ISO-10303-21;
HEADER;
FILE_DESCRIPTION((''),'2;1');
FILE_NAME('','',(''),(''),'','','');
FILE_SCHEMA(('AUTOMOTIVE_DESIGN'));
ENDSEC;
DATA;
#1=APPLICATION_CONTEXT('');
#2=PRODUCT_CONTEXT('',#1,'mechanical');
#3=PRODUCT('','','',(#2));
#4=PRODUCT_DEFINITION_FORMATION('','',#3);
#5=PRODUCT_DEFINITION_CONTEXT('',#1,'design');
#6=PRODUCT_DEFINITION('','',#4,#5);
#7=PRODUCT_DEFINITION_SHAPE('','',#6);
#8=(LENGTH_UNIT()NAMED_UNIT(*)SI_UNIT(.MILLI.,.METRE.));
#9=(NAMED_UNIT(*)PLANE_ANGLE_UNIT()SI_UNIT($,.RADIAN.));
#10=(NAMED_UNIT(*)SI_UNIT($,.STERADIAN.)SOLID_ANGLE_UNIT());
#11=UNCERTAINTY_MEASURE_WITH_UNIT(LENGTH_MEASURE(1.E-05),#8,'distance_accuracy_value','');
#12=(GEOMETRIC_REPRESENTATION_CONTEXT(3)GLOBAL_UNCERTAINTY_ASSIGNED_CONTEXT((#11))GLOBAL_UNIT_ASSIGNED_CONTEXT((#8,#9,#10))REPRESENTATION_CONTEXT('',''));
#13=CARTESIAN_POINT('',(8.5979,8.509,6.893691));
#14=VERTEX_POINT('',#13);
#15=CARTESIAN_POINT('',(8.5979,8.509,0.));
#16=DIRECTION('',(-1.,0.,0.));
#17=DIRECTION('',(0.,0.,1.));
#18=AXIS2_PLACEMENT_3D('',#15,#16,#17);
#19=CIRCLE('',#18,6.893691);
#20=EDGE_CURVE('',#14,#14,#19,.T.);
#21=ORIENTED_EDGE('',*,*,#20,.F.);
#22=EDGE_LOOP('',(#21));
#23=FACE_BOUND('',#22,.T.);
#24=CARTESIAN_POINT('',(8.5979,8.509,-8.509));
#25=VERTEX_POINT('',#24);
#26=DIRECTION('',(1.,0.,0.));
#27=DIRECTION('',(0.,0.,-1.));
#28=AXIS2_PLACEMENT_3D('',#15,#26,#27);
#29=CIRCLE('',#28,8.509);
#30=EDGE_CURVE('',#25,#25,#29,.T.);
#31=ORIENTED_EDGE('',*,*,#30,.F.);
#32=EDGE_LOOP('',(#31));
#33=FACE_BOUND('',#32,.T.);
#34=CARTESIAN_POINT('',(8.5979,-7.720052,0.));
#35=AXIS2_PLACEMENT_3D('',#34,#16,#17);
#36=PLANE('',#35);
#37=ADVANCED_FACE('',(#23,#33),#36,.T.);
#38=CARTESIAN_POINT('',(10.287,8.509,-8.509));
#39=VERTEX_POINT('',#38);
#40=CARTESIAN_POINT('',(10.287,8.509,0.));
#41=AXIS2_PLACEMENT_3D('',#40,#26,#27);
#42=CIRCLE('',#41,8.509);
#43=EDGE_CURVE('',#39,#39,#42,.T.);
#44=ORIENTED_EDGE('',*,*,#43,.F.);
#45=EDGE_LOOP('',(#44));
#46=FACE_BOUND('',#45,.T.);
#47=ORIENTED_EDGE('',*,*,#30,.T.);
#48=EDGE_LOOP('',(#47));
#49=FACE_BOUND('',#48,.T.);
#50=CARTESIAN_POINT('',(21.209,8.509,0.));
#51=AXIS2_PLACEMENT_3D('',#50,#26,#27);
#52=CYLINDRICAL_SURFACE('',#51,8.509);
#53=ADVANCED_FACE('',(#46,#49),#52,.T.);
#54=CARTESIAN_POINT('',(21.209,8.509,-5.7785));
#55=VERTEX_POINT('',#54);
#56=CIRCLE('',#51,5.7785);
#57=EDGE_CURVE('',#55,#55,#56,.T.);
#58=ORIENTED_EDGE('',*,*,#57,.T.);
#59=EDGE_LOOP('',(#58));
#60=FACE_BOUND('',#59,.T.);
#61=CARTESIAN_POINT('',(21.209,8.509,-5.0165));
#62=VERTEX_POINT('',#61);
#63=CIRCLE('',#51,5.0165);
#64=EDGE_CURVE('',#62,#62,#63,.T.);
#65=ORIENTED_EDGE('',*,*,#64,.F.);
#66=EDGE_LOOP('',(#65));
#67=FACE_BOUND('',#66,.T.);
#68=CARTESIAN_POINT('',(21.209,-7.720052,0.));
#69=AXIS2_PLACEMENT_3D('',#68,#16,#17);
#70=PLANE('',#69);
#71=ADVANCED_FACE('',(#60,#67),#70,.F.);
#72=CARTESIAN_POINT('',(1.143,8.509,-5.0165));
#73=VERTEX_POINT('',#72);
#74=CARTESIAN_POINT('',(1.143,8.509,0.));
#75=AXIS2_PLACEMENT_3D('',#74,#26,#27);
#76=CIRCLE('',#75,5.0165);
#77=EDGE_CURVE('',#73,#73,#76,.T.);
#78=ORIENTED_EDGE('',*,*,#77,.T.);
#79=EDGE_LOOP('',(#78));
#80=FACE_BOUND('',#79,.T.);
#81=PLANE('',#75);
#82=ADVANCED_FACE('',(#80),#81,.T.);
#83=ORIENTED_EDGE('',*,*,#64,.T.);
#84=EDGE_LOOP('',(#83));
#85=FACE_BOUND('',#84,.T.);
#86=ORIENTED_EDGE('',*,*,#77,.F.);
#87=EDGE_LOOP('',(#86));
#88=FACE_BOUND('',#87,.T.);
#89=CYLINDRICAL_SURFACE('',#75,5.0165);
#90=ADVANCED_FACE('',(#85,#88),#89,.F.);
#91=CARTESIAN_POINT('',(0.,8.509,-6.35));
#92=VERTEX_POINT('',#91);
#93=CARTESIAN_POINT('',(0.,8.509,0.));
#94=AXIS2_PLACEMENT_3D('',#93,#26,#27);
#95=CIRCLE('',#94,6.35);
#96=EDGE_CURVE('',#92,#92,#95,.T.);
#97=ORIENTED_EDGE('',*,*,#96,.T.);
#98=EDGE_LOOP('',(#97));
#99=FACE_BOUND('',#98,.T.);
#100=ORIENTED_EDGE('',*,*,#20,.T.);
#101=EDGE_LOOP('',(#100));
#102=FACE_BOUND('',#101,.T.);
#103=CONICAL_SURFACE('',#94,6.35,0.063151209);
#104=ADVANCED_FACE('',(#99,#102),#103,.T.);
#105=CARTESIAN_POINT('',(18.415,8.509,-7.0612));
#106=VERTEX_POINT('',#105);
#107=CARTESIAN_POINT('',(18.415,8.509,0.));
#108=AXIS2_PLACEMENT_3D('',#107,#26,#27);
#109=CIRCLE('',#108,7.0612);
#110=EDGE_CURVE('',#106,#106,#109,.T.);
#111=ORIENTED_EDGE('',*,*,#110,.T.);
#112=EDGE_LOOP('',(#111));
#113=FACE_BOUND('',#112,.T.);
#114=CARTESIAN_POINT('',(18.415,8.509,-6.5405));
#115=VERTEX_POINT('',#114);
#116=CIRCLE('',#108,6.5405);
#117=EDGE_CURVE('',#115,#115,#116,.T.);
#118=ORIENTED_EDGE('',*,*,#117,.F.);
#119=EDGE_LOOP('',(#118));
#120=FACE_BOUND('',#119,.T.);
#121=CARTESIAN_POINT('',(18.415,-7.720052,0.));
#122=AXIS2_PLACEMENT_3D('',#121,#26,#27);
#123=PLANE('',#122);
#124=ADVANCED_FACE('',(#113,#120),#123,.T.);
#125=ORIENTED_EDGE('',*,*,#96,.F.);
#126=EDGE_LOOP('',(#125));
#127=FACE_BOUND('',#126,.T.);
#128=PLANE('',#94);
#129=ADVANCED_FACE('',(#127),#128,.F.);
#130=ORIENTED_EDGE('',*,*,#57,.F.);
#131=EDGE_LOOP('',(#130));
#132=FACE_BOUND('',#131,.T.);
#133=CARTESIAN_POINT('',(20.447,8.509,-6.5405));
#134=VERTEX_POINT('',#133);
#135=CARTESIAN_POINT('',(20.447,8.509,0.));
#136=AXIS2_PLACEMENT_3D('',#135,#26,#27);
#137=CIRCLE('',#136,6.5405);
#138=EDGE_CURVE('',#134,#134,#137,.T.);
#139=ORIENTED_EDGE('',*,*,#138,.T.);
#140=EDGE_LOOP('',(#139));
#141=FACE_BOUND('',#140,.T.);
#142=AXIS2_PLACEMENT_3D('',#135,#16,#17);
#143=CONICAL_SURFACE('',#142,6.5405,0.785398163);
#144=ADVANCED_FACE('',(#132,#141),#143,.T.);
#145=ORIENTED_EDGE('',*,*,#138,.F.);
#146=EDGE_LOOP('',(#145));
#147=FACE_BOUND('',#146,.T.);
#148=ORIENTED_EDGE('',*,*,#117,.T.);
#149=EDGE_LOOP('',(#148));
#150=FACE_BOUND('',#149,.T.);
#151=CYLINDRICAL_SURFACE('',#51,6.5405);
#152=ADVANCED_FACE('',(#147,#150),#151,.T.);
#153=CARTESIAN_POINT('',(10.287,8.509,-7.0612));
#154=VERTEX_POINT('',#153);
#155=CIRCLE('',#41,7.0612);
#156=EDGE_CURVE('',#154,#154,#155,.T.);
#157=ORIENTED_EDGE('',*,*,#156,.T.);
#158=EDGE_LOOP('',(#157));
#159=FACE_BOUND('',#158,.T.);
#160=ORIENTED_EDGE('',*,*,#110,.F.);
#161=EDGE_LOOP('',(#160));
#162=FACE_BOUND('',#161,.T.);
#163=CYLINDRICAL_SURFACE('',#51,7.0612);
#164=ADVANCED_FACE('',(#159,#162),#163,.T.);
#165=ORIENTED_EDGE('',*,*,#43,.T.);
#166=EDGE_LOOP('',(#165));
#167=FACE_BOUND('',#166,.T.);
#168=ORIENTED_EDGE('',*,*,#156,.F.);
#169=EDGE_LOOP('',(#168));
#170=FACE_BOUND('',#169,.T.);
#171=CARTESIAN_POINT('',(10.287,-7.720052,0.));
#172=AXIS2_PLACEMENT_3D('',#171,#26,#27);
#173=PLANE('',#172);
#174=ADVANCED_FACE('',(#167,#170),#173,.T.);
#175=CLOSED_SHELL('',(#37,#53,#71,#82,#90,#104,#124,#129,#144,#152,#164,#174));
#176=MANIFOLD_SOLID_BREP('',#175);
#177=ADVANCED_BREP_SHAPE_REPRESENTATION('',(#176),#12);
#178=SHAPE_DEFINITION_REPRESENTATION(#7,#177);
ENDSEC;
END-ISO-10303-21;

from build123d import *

# Parameters (mm, degrees)
SKETCH3_R      = 6.35
SKETCH5_R      = 6.8961
SKETCH7_R      = 5.0165
EXTRUDE2_DEPTH = 20.066


with BuildPart() as part:
    # Sketch2 → Revolve1 (revolve)
    with BuildSketch(Plane.XY, mode=Mode.PRIVATE) as revolve1_sk:
        Polygon((18.415, 1.9685), (20.447, 1.9685), (21.209, 2.7305), (21.209, 8.509), (8.5979, 8.509), (8.5979, 1.524), (8.5979, 0), (10.287, 0), (10.287, 1.4478), (18.415, 1.4478), align=None)
    revolve(revolve1_sk.sketch.rotate(Axis((21.209, 8.509, 0), (-1, 0, 0)), 270), axis=Axis((21.209, 8.509, 0), (-1, 0, 0)))

    # Sketch3 → Loft2 section 0
    with BuildSketch(Plane(origin=(0, 0, 0), x_dir=(0, 0, -1), z_dir=(1, 0, 0))):
        with Locations((0, 8.509)):
            Circle(SKETCH3_R)
    # Sketch5 → Loft2 section 1
    with BuildSketch(Plane(origin=(8.636, 0, 0), x_dir=(0, 0, -1), z_dir=(1, 0, 0))):
        with Locations((0, 8.509)):
            Circle(SKETCH5_R)
    loft()

    # Sketch7 → Extrude2 (cut)
    with BuildSketch(Plane(origin=(21.209, 0, 0), x_dir=(0, 0, -1), z_dir=(1, 0, 0))):
        with Locations((0, 8.509)):
            Circle(SKETCH7_R)
    extrude(amount=-EXTRUDE2_DEPTH, mode=Mode.SUBTRACT)


solid = part.part
